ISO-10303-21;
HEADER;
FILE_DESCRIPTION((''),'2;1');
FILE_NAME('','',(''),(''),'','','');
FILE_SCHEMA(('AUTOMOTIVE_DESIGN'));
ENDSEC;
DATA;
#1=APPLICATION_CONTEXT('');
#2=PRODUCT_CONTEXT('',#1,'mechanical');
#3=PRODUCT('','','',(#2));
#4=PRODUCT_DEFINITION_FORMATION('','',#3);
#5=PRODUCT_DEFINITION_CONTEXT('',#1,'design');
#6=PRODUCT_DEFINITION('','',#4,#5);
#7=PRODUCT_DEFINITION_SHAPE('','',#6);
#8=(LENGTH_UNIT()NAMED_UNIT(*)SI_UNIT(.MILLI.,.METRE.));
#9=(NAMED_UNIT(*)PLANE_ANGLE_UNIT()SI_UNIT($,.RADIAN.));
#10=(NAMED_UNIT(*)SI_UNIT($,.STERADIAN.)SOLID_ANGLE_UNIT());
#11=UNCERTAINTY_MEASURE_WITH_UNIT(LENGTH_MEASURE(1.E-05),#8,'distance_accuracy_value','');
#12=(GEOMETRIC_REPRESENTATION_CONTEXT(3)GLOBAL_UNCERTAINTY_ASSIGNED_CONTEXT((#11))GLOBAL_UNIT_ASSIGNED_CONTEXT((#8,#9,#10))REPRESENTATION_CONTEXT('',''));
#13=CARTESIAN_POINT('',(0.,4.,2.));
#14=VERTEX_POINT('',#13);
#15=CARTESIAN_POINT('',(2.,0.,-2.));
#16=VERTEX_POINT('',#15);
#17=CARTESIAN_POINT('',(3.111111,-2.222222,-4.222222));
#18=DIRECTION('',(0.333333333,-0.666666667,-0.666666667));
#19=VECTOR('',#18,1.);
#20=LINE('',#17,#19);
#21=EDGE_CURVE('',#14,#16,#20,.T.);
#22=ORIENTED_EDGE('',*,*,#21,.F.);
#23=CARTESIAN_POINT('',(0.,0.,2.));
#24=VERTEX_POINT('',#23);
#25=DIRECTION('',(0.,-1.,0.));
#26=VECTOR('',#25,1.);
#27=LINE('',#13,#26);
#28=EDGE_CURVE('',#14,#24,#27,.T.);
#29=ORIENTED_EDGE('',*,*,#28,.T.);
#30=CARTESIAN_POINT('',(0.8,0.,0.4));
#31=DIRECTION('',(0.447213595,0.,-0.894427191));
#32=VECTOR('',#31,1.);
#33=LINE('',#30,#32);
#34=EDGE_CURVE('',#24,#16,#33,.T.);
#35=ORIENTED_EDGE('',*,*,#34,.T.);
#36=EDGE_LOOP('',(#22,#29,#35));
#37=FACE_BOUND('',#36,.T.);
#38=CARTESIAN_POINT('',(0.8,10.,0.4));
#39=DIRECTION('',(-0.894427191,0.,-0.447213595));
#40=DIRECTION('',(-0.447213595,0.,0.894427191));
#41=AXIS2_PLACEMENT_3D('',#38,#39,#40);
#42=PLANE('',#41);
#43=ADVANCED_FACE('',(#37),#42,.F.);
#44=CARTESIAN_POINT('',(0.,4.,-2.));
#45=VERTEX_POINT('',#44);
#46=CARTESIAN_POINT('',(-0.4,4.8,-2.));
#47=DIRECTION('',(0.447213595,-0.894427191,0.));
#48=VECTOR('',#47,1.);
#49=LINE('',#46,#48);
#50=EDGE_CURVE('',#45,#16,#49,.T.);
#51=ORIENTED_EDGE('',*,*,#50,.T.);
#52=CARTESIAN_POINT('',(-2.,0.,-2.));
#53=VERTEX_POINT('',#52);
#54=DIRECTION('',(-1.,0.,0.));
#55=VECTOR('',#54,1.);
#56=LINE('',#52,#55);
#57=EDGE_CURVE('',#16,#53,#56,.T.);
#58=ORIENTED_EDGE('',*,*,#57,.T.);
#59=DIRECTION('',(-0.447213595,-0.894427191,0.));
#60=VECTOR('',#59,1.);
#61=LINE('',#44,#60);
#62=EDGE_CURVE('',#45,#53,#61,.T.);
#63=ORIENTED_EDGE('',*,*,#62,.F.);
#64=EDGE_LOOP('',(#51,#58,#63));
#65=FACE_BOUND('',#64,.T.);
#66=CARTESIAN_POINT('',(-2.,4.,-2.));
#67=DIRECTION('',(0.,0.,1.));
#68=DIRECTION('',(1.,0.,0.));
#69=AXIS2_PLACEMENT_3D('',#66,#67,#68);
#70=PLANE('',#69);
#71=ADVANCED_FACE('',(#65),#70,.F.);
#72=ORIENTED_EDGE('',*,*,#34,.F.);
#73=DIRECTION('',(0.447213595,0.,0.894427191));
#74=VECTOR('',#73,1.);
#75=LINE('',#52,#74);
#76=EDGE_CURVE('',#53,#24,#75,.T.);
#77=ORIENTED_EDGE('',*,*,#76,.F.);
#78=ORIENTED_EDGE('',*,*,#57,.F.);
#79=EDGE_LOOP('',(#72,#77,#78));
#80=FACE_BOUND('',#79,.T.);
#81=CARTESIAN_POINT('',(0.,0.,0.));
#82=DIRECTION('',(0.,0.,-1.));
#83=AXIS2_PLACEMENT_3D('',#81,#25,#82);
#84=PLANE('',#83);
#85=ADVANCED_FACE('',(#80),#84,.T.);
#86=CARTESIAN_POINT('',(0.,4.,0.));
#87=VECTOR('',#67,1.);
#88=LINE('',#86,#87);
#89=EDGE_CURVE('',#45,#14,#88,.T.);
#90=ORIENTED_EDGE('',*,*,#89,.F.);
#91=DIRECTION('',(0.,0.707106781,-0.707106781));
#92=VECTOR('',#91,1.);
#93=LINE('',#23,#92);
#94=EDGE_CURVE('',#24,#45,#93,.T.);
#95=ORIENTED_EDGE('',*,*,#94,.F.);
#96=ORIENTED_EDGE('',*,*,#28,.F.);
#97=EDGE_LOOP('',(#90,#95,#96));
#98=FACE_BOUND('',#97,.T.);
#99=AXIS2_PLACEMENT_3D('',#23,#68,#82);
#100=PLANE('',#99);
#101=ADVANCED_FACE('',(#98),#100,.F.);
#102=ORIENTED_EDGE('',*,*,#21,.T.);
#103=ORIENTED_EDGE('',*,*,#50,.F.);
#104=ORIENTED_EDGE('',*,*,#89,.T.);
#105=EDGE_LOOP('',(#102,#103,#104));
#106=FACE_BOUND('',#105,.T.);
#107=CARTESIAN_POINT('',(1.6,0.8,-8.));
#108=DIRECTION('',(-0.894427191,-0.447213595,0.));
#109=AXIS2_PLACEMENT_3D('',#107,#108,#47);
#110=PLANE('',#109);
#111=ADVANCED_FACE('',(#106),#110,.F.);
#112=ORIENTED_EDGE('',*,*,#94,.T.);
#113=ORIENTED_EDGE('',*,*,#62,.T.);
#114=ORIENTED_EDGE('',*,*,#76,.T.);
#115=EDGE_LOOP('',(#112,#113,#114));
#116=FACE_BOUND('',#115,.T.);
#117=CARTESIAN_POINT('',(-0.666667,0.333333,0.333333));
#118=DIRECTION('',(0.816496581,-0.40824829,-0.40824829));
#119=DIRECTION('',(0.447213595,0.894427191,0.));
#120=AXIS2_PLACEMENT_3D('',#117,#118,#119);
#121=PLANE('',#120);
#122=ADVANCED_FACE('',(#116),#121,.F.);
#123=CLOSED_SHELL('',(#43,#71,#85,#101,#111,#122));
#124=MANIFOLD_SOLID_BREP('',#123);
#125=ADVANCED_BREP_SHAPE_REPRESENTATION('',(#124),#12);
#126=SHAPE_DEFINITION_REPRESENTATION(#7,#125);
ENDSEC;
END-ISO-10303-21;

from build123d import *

# Parameters (mm, degrees)
SKETCH1_W           = 4
SKETCH1_H           = 4
BOSS_EXTRUDE1_DEPTH = 4
CUT_EXTRUDE1_DEPTH  = 10
CUT_EXTRUDE2_DEPTH  = 10
CUT_EXTRUDE3_DEPTH  = 10


with BuildPart() as part:
    # Sketch1 → Boss-Extrude1 (new body)
    with BuildSketch(Plane(origin=(0, 0, 0), x_dir=(1, 0, 0), z_dir=(0, 1, 0))):
        Rectangle(SKETCH1_W, SKETCH1_H)
    extrude(amount=BOSS_EXTRUDE1_DEPTH)

    # 3DSketch1 → Cut-Extrude1 (cut, along a direction that is not the sketch's normal)
    with BuildSketch(Plane(origin=(0, 4, -2), x_dir=(0, -0.7071067811865476, 0.7071067811865476), z_dir=(0.816496580927726, -0.408248290463863, -0.408248290463863))):
        Polygon((0, 0), (2.828427125, 3.464101615), (5.656854249, 0), align=None)
    extrude(amount=-CUT_EXTRUDE1_DEPTH, dir=(0, -1, 0), mode=Mode.SUBTRACT)


with BuildPart() as body_2:
    # of the pieces the cut leaves, the one that is kept (cut_extrude1_keep)
    add(part.part.solids().sort_by_distance((2, 0, 2))[0])

    # Sketch2 → Cut-Extrude2 (cut)
    with BuildSketch(Plane.XY.offset(2)):
        Polygon((0, 4), (2, 0), (2, 4), align=None)
    extrude(amount=-CUT_EXTRUDE2_DEPTH, mode=Mode.SUBTRACT)

    # Sketch3 → Cut-Extrude3 (cut)
    with BuildSketch(Plane.XZ):
        Polygon((0, 2), (2, -2), (2, 2), align=None)
    extrude(amount=-CUT_EXTRUDE3_DEPTH, mode=Mode.SUBTRACT)


solid = body_2.part
